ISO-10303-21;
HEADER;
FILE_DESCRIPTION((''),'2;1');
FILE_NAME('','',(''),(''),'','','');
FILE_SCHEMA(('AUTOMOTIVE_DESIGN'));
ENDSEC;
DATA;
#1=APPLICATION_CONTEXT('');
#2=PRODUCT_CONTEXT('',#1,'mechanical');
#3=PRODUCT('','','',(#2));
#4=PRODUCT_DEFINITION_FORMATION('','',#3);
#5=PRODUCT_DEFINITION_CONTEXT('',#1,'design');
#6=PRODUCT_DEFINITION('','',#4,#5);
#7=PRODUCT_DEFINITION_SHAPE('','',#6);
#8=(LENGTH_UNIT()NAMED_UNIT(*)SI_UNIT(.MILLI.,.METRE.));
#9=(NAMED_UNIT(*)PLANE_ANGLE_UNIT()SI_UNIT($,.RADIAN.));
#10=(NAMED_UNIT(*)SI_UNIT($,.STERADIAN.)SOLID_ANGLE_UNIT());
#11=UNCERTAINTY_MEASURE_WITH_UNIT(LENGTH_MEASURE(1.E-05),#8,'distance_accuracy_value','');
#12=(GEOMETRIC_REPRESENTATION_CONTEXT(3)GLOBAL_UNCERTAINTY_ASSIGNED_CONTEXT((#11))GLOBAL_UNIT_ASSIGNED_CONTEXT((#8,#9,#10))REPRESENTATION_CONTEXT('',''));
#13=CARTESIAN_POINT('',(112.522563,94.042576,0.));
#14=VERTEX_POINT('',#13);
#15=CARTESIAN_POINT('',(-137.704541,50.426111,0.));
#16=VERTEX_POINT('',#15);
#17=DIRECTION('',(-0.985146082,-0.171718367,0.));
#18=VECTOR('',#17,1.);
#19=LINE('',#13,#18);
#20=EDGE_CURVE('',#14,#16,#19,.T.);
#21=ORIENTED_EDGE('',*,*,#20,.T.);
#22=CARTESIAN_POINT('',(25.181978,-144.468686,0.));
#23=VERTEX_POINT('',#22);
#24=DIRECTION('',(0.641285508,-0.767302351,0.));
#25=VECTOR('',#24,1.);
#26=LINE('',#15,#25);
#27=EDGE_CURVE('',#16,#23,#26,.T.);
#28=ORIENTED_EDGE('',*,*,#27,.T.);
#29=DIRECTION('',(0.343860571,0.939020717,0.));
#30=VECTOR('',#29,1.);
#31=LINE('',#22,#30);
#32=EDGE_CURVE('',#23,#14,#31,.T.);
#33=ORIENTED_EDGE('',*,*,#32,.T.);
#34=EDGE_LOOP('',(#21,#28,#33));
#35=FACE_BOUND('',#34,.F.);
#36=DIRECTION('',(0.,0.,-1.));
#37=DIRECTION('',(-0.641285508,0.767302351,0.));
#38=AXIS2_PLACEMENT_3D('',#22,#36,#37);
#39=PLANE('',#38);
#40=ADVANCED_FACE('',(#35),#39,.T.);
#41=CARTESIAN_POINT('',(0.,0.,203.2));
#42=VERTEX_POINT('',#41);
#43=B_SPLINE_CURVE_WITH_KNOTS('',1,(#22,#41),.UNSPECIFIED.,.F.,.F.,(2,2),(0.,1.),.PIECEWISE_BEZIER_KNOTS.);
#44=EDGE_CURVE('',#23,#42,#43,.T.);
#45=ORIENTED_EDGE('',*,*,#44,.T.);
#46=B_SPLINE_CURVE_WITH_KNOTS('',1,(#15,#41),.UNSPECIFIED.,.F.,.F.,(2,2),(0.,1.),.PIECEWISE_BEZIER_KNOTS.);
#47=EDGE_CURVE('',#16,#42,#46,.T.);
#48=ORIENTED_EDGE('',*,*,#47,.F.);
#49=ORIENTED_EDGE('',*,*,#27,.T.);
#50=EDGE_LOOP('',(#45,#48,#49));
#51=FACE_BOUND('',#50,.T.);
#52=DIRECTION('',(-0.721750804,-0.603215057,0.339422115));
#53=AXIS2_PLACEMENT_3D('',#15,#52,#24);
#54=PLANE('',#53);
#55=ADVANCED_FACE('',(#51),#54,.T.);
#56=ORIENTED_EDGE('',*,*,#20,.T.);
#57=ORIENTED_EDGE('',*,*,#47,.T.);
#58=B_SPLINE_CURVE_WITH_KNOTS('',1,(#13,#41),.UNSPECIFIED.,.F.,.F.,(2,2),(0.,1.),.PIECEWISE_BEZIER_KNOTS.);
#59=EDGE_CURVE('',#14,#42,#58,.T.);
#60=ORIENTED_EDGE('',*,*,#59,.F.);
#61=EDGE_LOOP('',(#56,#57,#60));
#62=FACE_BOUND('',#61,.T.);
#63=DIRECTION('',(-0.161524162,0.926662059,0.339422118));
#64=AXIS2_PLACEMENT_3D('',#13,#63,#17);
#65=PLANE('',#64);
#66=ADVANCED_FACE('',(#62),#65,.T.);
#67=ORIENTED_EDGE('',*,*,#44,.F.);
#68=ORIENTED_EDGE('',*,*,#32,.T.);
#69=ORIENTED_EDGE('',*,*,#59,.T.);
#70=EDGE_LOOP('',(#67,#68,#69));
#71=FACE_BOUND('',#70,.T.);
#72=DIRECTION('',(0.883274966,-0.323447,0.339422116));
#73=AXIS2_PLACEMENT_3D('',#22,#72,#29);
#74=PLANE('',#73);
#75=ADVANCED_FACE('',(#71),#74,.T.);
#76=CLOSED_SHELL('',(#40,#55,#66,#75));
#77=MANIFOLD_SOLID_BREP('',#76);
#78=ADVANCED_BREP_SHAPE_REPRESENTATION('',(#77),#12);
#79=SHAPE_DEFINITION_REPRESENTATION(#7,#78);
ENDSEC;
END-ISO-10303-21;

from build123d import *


with BuildPart() as f3:
    # F0 (on Top) → F3 section 0
    with BuildSketch(Plane.XY, mode=Mode.PRIVATE) as f3_s0:
        Polygon((25.181978, -144.468686), (112.522563, 94.042576), (-137.704541, 50.426111), align=None)
    loft([f3_s0.sketch, Vertex(0, 0, 203.2)])


solid = f3.part
